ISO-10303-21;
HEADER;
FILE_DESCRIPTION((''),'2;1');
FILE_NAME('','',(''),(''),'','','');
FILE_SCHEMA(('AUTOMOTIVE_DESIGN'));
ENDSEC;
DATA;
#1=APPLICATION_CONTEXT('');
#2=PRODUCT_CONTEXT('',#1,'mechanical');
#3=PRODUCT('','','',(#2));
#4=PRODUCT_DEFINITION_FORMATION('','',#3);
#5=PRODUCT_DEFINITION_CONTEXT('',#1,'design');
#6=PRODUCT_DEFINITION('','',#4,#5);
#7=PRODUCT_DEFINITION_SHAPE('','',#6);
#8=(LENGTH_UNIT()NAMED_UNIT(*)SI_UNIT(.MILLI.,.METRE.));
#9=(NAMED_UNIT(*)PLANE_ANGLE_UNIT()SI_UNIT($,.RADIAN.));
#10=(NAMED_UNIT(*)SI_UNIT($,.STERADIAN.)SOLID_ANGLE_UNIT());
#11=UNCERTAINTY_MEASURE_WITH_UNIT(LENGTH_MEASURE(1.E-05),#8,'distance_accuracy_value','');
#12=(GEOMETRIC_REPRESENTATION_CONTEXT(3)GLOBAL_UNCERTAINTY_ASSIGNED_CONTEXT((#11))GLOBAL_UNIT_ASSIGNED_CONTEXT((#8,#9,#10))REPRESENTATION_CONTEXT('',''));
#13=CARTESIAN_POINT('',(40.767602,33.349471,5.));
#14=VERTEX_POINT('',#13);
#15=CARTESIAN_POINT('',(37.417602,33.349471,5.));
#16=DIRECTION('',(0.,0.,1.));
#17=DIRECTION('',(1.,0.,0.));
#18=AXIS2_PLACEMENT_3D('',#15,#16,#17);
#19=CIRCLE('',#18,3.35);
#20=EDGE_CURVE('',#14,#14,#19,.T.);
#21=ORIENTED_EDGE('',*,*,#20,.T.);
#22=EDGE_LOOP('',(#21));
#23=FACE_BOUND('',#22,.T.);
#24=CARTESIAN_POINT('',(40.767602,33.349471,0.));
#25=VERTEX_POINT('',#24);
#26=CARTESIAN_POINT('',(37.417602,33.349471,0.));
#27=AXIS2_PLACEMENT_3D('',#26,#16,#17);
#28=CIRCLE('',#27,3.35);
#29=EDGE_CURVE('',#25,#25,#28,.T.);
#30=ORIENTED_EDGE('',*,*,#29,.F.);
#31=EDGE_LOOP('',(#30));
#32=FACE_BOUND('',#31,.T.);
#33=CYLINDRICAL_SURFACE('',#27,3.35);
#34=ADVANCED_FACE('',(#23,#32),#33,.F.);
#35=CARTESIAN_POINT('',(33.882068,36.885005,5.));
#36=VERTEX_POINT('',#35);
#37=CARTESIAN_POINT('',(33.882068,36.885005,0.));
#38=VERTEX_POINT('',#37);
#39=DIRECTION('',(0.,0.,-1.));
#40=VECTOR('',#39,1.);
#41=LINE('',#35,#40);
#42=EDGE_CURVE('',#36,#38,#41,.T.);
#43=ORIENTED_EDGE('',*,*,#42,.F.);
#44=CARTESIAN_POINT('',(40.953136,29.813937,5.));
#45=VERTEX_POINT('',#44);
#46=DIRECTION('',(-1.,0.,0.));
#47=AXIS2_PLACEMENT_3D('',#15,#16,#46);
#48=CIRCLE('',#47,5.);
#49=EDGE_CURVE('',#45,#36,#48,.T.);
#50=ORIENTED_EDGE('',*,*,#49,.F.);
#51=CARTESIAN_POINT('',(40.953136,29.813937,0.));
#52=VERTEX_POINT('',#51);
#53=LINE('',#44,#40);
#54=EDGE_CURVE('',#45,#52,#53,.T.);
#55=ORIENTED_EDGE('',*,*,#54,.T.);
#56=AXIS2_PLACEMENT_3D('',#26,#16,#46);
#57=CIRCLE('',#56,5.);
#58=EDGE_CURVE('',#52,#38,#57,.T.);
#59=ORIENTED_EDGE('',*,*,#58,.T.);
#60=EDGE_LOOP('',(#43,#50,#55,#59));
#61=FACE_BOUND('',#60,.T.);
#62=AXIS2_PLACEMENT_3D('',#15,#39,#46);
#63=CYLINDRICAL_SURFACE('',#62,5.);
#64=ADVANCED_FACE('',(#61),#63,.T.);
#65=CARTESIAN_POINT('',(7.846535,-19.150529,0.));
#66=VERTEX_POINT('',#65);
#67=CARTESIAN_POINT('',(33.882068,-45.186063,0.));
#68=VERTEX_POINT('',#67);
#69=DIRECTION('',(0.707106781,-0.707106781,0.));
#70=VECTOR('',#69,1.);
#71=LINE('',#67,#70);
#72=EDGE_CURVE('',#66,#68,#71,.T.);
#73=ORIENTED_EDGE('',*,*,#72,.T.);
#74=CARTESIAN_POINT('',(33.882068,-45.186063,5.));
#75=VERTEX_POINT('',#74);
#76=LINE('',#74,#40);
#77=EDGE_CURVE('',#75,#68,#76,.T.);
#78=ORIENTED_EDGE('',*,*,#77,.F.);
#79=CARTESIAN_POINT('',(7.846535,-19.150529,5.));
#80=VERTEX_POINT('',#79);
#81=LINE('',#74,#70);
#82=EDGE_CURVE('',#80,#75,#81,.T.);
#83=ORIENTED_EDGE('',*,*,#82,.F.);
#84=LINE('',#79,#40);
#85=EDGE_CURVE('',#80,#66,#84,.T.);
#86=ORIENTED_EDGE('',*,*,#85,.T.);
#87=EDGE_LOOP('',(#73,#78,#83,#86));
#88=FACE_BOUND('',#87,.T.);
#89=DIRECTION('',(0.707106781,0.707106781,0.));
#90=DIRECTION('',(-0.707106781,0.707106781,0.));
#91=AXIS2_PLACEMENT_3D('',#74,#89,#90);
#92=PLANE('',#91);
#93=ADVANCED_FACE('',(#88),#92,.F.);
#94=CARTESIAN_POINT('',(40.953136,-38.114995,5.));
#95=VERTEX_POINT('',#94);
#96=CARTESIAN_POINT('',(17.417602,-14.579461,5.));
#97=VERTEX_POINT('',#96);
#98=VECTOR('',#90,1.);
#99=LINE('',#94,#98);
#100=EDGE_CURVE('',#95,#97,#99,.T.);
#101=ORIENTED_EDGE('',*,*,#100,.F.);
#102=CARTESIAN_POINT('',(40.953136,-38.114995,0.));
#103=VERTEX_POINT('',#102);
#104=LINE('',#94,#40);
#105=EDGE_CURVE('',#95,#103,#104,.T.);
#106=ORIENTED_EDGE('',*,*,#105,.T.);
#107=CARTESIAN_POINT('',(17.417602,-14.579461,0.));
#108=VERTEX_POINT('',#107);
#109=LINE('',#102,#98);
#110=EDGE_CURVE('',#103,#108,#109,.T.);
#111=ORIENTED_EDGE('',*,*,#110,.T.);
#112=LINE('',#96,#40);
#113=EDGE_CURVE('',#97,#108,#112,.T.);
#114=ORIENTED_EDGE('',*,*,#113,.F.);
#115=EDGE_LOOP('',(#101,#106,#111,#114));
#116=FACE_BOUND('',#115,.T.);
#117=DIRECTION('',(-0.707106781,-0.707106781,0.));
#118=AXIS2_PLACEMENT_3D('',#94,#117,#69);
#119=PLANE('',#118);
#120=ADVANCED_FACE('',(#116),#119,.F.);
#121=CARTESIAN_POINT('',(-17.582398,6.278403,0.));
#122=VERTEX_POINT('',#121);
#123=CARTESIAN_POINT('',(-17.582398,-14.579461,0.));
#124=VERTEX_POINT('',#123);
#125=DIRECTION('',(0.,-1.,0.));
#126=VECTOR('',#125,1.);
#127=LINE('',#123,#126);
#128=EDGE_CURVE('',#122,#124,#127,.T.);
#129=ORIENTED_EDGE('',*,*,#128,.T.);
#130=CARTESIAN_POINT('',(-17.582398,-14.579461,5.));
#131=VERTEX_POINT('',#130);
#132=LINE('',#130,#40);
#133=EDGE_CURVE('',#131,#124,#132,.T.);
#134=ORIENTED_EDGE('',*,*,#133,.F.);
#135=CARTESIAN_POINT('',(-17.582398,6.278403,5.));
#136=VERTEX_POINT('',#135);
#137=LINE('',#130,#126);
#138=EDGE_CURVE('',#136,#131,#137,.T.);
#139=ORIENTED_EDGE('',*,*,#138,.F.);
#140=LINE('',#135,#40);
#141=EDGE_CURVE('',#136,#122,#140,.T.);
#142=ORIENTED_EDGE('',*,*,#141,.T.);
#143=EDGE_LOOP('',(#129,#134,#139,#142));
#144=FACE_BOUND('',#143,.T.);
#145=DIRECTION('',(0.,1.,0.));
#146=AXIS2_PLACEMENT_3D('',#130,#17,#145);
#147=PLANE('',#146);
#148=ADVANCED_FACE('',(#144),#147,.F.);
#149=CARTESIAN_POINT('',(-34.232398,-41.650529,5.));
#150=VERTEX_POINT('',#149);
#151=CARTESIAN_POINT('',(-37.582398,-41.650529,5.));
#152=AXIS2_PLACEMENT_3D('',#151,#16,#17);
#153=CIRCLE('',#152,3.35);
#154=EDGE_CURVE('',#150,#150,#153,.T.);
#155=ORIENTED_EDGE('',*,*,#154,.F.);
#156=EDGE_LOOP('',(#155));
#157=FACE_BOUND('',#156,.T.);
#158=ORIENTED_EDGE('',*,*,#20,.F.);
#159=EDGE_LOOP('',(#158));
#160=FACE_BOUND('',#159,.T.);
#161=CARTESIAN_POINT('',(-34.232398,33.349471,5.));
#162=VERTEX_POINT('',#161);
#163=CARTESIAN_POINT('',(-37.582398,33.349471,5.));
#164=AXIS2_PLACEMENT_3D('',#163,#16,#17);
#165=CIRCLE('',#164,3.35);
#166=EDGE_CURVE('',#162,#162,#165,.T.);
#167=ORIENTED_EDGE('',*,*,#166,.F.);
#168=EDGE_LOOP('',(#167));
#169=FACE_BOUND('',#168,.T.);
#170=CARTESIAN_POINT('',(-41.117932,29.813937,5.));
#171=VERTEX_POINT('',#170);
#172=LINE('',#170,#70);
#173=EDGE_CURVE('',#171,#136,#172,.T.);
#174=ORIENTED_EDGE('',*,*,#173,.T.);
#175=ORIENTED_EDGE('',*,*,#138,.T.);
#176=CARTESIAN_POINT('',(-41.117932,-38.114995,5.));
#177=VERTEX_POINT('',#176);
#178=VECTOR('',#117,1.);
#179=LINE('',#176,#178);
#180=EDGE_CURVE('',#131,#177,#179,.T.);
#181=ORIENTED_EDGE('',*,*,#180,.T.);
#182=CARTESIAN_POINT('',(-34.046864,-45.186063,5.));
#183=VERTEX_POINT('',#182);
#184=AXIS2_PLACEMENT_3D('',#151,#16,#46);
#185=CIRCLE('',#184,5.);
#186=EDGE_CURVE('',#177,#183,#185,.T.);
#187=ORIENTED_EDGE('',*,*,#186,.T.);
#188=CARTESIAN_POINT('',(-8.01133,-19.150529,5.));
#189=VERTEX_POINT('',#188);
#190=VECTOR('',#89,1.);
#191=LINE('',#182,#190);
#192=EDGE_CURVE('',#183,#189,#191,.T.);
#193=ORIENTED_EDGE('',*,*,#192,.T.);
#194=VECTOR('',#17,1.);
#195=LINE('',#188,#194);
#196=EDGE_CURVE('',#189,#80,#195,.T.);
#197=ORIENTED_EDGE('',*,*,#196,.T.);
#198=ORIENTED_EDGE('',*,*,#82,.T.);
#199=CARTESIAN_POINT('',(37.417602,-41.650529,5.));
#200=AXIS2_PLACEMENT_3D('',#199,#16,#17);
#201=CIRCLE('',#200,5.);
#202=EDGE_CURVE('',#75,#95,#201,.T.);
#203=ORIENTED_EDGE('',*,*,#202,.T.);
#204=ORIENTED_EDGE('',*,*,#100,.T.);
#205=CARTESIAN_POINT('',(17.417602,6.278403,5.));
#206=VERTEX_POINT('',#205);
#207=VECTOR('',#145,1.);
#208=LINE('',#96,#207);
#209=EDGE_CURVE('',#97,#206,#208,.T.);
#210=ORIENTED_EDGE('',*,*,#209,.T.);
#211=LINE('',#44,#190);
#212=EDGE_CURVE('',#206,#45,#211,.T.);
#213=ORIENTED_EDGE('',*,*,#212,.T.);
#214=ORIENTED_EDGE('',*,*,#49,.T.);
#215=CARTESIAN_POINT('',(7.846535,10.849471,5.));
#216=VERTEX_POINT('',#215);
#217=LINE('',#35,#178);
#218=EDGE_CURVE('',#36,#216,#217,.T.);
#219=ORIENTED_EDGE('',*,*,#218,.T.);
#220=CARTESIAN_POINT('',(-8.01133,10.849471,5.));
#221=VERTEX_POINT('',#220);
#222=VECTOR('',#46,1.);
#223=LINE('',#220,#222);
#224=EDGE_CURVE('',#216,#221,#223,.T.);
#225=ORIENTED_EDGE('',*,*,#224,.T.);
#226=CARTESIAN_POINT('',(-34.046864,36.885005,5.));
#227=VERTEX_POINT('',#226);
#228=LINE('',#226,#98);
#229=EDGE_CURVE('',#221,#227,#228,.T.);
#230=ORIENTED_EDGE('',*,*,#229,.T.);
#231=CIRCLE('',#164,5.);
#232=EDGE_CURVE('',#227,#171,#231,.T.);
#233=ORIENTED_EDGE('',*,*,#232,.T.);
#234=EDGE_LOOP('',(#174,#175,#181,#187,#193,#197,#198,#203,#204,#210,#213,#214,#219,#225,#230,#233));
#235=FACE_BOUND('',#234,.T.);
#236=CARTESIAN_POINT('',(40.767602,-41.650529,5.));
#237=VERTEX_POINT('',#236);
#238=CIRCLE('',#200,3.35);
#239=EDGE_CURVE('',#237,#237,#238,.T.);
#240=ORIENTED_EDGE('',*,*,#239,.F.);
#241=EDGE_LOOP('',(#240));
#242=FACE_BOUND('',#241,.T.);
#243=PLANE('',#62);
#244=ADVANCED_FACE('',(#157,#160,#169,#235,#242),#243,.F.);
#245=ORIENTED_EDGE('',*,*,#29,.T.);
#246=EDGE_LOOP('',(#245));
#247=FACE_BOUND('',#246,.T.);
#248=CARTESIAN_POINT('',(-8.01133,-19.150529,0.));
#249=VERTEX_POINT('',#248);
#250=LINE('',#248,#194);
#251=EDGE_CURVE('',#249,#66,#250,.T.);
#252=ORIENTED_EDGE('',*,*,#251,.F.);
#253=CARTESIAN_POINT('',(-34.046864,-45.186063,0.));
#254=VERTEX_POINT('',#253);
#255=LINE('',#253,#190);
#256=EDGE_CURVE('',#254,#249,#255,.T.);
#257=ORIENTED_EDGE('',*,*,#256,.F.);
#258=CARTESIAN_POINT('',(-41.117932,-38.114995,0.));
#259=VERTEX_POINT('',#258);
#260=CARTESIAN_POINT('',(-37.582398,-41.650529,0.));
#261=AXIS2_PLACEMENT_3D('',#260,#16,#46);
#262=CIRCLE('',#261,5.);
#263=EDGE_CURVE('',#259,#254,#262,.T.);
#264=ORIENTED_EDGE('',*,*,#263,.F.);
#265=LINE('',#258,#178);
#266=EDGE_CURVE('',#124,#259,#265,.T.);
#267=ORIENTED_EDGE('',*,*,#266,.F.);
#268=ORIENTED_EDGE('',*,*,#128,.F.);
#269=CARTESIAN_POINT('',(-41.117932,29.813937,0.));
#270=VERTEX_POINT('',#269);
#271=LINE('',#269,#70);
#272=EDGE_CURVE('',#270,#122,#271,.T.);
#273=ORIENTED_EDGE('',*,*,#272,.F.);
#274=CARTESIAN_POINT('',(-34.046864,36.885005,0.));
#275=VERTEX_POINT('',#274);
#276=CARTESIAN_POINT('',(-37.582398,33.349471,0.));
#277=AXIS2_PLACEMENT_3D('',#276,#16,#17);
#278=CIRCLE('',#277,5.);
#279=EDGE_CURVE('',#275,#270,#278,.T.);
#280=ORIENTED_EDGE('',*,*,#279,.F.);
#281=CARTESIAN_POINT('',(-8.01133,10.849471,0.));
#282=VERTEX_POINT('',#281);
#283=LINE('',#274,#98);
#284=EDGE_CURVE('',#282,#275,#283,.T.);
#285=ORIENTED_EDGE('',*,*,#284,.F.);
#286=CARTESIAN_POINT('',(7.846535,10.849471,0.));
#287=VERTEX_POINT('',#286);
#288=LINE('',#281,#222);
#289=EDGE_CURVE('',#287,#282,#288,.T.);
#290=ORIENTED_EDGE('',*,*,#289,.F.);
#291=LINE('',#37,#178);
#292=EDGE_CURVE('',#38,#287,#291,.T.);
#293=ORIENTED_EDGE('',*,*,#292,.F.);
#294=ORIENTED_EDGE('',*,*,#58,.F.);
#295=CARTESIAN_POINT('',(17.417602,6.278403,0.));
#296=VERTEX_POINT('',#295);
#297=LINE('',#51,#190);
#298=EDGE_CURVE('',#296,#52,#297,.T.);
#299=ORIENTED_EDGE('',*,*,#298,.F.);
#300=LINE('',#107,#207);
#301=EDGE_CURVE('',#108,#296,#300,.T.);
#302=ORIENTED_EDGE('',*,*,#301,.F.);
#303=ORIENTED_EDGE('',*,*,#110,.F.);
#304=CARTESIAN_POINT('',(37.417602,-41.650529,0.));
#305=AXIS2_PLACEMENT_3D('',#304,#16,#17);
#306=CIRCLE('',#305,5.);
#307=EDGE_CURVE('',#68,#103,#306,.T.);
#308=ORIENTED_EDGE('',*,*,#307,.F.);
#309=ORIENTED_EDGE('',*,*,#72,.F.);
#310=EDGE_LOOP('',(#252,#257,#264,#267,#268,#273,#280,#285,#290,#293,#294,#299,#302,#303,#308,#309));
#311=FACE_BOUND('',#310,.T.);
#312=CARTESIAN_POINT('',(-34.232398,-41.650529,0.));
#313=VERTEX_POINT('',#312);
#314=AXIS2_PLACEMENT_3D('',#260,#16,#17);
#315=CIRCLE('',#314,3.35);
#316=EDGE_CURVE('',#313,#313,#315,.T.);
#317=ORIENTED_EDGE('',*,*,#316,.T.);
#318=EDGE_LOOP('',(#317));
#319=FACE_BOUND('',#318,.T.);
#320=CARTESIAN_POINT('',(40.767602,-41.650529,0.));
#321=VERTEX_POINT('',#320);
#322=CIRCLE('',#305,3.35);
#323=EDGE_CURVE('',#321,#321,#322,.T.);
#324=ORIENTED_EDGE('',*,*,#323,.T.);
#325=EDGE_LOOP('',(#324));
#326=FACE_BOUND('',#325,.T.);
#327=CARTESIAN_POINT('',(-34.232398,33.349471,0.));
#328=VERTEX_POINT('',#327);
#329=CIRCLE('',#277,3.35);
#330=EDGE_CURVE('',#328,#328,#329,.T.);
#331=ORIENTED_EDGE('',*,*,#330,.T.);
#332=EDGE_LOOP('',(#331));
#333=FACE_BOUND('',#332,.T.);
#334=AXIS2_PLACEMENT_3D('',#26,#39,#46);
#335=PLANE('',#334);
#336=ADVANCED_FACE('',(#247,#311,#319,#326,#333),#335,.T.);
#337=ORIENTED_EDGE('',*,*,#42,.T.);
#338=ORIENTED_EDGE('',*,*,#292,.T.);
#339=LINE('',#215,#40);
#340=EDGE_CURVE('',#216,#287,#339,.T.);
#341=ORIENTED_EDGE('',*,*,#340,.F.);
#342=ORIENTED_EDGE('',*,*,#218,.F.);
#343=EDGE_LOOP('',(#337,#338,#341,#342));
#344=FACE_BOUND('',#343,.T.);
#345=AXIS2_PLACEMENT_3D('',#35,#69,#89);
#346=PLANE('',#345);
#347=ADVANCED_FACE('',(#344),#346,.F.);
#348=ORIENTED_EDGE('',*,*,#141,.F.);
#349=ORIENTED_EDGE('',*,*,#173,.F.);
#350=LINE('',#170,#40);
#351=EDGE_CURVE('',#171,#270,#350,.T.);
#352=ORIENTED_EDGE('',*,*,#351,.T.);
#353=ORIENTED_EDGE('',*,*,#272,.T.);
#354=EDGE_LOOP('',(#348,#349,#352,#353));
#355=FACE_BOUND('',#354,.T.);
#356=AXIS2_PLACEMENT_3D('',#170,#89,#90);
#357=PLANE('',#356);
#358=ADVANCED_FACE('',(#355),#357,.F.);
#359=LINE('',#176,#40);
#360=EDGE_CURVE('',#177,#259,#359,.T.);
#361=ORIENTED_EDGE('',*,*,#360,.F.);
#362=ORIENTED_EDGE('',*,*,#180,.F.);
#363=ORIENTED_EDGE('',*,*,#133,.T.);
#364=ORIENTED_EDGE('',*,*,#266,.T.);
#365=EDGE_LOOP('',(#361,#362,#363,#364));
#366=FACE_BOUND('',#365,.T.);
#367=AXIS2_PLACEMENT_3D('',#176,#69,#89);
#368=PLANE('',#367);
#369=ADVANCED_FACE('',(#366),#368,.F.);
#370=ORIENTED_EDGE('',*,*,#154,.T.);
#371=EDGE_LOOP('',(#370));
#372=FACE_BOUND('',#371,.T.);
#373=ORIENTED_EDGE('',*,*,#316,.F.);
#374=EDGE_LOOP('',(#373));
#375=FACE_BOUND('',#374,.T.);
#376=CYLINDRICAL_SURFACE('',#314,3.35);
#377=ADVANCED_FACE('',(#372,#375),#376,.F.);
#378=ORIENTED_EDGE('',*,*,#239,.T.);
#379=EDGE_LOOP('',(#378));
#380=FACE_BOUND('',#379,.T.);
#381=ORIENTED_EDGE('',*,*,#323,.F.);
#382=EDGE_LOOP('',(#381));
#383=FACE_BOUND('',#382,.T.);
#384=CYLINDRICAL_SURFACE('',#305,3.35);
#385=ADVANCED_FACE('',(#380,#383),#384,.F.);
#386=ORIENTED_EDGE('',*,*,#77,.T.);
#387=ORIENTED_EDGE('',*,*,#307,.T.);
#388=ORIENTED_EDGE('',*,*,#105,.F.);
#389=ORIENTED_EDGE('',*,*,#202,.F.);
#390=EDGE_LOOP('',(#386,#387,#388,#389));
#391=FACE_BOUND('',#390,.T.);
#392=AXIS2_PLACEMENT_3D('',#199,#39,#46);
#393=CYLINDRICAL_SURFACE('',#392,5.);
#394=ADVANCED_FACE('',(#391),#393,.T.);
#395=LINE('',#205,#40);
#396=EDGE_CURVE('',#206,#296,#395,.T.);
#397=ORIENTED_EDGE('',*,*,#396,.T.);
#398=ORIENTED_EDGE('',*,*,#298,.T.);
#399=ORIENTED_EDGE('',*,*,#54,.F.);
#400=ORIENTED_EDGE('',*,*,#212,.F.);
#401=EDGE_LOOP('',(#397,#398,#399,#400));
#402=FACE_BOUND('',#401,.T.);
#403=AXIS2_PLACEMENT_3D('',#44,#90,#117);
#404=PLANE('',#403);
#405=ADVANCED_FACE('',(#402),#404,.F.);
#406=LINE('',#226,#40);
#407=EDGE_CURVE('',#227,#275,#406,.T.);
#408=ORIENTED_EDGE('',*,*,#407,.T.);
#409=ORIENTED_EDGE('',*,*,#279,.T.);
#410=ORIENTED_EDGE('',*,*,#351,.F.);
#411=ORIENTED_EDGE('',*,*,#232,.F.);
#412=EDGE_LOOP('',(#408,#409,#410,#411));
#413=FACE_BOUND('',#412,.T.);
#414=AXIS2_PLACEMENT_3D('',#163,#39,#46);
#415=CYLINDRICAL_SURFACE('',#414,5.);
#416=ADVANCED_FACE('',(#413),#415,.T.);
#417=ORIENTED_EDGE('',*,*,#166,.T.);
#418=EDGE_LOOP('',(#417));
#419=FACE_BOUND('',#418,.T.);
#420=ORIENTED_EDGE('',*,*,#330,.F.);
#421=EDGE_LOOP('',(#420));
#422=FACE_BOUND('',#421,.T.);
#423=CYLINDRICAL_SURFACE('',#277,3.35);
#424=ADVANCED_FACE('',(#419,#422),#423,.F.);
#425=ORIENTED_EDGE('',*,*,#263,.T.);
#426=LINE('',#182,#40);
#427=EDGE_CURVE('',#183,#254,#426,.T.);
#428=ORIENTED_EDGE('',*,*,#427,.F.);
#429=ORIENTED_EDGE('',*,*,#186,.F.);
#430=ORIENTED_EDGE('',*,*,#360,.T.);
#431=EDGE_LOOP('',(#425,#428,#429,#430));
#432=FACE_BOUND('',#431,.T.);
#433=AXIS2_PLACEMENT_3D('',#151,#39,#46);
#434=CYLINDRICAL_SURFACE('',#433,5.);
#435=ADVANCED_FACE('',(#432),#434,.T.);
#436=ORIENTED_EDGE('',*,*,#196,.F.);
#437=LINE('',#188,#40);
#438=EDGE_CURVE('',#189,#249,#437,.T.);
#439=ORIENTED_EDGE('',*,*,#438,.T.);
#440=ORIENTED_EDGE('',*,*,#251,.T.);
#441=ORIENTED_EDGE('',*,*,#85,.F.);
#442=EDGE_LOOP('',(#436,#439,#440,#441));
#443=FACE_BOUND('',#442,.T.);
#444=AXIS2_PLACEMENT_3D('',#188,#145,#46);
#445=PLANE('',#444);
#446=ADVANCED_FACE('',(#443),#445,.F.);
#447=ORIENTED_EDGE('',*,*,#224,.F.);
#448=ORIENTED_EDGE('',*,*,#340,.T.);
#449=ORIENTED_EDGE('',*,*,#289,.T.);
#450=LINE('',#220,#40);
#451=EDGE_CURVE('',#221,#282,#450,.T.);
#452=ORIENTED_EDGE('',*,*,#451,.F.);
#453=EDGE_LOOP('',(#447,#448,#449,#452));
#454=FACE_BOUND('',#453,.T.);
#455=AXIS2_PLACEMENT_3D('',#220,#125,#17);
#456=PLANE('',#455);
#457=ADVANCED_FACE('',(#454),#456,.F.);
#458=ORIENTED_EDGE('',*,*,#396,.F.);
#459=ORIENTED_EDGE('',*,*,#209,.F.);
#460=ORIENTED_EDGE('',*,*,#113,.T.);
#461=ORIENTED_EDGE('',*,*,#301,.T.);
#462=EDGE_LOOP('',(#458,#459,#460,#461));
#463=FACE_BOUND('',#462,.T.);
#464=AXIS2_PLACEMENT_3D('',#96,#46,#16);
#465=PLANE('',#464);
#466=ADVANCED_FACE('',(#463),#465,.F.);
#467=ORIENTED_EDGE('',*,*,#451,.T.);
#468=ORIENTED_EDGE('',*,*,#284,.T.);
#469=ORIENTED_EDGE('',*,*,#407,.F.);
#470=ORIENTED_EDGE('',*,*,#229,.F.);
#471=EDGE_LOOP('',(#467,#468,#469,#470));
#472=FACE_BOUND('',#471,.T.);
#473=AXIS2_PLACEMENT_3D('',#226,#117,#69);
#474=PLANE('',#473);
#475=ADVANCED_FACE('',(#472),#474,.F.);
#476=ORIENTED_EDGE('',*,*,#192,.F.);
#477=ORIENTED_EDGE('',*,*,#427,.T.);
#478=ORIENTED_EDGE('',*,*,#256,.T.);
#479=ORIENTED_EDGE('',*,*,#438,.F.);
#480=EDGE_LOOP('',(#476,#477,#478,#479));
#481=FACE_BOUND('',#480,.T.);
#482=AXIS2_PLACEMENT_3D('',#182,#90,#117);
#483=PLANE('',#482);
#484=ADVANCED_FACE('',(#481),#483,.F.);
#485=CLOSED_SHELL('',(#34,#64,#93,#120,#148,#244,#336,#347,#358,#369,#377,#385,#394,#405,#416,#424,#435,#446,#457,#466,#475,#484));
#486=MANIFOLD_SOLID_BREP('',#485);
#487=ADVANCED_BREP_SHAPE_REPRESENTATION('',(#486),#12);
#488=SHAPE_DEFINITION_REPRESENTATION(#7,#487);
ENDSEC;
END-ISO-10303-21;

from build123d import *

# Parameters (mm, degrees)
EXTRUDE_1_DEPTH     = 5
SKETCH_4_R          = 3.35
CUT_EXTRUDE_1_DEPTH = 5


with BuildPart() as part:
    # 草图1 → 凸台-拉伸1 (new body)
    with BuildSketch(Plane.XY):
        with BuildLine():
            Line((33.882068439, 36.885004962), (7.846534534, 10.849471056))
            Line((7.846534534, 10.849471056), (-8.011329843, 10.849471056))
            Line((-8.011329843, 10.849471056), (-34.046863749, 36.885004962))
            ThreePointArc((-34.046863749, 36.885004962), (-41.117931561, 36.885004962), (-41.117931561, 29.81393715))
            Line((-41.117931561, 29.81393715), (-17.582397655, 6.278403244))
            Line((-17.582397655, 6.278403244), (-17.582397655, -14.579461132))
            Line((-17.582397655, -14.579461132), (-41.117931561, -38.114995038))
            ThreePointArc((-41.117931561, -38.114995038), (-41.117931561, -45.18606285), (-34.046863749, -45.18606285))
            Line((-34.046863749, -45.18606285), (-8.011329843, -19.150528944))
            Line((-8.011329843, -19.150528944), (7.846534534, -19.150528944))
            Line((7.846534534, -19.150528944), (33.882068439, -45.18606285))
            ThreePointArc((33.882068439, -45.18606285), (40.953136251, -45.18606285), (40.953136251, -38.114995038))
            Line((40.953136251, -38.114995038), (17.417602345, -14.579461132))
            Line((17.417602345, -14.579461132), (17.417602345, 6.278403244))
            Line((17.417602345, 6.278403244), (40.953136251, 29.81393715))
            ThreePointArc((40.953136251, 29.81393715), (40.953136251, 36.885004962), (33.882068439, 36.885004962))
        make_face()
    extrude(amount=EXTRUDE_1_DEPTH)

    # 草图4 → 切除-拉伸1 (cut)
    with BuildSketch(Plane.XY.offset(5)):
        with Locations((-37.582397655, 33.349471056)):
            Circle(SKETCH_4_R)
        with Locations((37.417602345, 33.349471056)):
            Circle(SKETCH_4_R)
        with Locations((37.417602345, -41.650528944)):
            Circle(SKETCH_4_R)
        with Locations((-37.582397655, -41.650528944)):
            Circle(SKETCH_4_R)
    extrude(amount=-CUT_EXTRUDE_1_DEPTH, mode=Mode.SUBTRACT)


solid = part.part
